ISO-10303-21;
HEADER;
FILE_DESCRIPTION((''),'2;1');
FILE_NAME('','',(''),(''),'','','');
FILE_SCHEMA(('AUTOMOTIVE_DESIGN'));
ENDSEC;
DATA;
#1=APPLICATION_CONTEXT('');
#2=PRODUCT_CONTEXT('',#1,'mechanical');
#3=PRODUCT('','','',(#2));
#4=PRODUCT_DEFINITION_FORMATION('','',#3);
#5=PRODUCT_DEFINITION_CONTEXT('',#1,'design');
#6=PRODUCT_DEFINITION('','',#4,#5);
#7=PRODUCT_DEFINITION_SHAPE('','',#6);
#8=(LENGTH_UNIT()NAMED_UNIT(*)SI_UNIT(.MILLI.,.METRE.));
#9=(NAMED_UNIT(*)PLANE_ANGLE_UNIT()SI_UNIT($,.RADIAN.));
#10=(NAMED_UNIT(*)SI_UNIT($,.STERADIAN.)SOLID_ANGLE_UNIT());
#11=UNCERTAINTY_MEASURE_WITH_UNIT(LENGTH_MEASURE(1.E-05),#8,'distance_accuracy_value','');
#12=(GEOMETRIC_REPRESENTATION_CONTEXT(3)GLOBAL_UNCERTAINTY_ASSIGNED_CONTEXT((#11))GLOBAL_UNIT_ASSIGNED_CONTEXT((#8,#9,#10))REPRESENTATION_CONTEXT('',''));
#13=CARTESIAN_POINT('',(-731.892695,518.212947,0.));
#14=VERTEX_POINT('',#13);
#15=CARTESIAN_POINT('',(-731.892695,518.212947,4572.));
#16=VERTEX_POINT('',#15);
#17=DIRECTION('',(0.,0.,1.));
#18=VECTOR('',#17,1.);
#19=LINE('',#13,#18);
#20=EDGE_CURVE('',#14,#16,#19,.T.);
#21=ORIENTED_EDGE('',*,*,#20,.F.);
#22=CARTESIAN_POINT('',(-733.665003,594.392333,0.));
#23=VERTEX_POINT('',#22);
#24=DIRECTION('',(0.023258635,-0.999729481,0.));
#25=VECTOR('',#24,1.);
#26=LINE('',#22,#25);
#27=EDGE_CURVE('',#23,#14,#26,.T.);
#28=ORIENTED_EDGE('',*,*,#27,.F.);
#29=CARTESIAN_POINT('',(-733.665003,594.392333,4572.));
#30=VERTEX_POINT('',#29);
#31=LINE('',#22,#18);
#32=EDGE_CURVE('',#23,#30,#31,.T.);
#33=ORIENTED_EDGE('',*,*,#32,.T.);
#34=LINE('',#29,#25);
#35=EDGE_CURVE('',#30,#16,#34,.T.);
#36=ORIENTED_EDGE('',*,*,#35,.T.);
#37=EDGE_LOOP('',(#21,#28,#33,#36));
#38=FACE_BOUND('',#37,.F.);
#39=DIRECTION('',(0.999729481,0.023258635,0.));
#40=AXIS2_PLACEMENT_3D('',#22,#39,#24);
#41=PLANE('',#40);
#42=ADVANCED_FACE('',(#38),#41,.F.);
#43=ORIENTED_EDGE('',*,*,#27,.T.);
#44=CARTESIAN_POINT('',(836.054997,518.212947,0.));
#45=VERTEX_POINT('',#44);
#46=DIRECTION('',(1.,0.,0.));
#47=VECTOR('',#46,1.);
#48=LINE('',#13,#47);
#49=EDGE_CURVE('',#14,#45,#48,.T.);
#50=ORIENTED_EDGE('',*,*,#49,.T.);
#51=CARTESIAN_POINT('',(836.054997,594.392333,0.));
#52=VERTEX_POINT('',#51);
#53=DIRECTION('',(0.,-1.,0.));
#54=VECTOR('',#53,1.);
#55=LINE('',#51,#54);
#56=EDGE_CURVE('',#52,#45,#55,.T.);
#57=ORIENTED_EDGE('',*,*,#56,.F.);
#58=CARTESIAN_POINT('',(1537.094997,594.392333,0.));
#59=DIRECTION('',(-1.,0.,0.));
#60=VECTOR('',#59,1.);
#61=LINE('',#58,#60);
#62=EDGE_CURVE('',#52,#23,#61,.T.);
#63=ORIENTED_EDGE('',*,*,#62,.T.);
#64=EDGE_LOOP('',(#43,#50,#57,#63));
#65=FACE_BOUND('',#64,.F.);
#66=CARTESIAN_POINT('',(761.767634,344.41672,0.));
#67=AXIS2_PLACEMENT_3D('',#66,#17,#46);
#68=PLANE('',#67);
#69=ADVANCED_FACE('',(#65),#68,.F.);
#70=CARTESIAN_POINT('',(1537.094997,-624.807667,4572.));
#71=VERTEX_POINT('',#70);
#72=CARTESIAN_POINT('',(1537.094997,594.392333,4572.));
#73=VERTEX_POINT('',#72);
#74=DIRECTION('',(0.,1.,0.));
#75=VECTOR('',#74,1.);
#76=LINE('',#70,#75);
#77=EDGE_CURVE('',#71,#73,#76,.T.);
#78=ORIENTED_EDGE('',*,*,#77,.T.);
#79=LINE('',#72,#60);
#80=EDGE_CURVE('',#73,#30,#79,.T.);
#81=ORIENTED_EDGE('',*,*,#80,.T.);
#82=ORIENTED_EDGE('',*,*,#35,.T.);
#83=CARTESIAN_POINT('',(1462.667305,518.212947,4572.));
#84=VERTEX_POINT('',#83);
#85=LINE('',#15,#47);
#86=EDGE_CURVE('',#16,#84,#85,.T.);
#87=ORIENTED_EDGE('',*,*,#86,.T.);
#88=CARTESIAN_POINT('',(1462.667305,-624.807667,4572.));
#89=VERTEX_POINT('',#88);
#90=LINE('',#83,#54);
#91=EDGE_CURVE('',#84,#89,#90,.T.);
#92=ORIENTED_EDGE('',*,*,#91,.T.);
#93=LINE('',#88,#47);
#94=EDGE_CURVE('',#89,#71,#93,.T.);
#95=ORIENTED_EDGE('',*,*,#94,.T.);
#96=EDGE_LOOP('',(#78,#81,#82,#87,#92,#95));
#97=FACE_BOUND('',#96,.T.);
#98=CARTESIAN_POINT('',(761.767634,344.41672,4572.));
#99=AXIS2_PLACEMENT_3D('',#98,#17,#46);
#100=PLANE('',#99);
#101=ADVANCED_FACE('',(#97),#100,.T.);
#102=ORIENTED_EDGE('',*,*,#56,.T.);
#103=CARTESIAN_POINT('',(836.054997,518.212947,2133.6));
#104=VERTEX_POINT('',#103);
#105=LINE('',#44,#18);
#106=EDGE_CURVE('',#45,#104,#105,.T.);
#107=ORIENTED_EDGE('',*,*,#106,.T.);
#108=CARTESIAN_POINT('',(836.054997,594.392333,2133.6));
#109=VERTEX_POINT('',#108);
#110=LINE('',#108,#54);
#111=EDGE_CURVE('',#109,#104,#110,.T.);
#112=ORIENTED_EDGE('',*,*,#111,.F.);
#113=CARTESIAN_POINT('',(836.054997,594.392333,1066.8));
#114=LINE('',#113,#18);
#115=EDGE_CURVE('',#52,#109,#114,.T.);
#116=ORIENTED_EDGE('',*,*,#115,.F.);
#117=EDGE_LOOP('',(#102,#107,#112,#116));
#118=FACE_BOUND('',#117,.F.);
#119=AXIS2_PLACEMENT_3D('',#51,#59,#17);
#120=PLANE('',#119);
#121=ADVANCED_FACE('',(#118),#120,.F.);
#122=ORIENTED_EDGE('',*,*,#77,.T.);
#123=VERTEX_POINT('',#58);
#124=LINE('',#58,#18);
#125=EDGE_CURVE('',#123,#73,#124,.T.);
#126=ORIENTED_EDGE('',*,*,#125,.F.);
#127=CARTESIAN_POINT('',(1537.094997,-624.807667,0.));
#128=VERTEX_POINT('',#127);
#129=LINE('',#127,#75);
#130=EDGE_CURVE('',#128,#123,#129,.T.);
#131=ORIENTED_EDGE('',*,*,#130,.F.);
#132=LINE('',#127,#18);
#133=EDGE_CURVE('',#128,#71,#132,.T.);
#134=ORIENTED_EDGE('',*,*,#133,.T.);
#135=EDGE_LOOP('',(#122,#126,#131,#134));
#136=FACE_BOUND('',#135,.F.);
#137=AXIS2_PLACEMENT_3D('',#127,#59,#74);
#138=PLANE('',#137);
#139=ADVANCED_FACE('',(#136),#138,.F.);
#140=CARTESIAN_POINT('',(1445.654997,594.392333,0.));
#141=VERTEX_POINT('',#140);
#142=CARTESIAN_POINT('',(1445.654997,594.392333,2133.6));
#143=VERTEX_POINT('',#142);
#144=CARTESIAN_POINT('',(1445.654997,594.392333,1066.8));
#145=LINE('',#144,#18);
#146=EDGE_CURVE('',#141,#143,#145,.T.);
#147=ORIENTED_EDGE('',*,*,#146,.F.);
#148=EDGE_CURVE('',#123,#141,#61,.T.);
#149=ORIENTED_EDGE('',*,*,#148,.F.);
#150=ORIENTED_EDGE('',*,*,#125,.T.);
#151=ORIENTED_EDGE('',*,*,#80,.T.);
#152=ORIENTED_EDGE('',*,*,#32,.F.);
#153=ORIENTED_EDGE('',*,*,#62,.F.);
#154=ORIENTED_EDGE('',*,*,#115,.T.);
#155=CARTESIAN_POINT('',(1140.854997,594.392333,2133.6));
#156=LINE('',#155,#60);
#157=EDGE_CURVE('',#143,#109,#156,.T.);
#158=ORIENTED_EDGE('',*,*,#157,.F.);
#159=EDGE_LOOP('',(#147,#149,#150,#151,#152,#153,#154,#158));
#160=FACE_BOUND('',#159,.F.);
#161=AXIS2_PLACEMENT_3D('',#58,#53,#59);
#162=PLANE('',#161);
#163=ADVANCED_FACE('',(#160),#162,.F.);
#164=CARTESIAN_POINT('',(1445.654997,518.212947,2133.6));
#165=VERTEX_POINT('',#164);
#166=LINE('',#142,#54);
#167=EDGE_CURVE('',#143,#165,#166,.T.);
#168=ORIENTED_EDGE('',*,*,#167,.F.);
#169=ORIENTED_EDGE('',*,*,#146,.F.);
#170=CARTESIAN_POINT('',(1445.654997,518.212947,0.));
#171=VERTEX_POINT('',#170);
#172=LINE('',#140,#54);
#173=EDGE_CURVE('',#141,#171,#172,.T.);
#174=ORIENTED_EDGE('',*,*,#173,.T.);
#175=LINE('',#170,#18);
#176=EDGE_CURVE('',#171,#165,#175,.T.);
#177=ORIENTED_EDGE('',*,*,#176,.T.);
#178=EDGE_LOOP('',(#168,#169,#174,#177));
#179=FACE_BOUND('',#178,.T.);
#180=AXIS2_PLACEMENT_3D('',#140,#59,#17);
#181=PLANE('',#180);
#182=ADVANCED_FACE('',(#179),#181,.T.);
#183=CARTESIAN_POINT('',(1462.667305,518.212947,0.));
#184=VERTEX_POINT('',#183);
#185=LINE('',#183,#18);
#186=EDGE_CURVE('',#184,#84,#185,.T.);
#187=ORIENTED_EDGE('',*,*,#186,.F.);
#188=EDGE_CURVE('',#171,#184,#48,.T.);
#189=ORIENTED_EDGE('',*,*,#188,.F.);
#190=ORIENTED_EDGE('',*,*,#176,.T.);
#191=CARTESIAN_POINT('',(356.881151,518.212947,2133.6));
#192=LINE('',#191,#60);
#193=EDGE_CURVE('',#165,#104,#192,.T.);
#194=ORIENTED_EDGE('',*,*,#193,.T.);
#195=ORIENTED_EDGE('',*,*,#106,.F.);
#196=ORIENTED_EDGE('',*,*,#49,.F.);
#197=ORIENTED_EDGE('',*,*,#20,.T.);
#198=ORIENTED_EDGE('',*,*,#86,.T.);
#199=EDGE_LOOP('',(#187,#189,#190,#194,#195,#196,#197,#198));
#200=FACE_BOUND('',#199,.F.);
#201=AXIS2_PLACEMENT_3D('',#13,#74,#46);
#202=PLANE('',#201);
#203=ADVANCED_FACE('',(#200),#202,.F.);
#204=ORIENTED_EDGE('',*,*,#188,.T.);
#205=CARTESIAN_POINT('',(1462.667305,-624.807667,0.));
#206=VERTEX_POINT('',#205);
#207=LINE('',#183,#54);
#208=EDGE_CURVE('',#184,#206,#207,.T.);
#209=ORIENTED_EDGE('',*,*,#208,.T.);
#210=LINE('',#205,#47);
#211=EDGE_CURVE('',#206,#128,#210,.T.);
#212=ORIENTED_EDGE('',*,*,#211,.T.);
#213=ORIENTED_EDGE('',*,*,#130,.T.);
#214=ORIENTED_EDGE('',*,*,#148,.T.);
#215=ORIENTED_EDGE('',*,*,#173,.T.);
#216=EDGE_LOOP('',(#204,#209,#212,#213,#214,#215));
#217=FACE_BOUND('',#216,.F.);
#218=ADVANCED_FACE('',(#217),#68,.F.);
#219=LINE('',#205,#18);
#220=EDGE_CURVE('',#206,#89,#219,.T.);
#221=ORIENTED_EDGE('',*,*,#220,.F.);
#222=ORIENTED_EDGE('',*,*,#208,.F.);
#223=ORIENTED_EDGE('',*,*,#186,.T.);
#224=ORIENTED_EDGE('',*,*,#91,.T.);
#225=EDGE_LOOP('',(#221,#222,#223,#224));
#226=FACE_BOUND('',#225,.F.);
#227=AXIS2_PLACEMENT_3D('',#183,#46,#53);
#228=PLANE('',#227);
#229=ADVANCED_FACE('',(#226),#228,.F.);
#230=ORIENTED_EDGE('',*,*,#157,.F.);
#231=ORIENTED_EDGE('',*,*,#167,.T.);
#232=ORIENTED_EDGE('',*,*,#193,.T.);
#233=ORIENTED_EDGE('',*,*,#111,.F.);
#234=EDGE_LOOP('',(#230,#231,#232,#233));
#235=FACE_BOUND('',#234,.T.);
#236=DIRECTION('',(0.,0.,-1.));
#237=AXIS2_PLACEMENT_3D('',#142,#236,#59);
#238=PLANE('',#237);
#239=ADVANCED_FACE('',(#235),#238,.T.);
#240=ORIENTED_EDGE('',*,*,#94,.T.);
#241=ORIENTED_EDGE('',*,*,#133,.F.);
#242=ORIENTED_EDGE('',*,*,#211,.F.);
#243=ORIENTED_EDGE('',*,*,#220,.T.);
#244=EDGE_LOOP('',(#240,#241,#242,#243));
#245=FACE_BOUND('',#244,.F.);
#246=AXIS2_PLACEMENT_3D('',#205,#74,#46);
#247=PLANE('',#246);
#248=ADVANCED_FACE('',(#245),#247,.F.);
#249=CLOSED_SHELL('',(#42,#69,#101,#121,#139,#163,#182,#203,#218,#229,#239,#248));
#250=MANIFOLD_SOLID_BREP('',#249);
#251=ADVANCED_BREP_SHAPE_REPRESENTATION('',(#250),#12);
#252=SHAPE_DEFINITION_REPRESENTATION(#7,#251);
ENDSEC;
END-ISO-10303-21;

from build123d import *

# Parameters (mm, degrees)
F1_DEPTH = 4572
F2_W     = 609.6
F2_H     = 2133.6
F3_DEPTH = 152.4


with BuildPart() as f1:
    # F0 (on Top) → F1 (new body)
    with BuildSketch(Plane.XY):
        Polygon((1537.094997, 594.392333), (-733.665003, 594.392333), (-731.892695, 518.212947), (1462.667305, 518.212947), (1462.667305, -624.807667), (1537.094997, -624.807667), align=None)
    extrude(amount=F1_DEPTH)

    # F2 (on face) → F3 (cut)
    with BuildSketch(Plane(origin=(0, 594.392333, 0), x_dir=(-1, 0, 0), z_dir=(0, 1, 0))):
        with Locations((-1140.854997, 1066.8)):
            Rectangle(F2_W, F2_H)
    extrude(amount=-F3_DEPTH, mode=Mode.SUBTRACT)


solid = f1.part
